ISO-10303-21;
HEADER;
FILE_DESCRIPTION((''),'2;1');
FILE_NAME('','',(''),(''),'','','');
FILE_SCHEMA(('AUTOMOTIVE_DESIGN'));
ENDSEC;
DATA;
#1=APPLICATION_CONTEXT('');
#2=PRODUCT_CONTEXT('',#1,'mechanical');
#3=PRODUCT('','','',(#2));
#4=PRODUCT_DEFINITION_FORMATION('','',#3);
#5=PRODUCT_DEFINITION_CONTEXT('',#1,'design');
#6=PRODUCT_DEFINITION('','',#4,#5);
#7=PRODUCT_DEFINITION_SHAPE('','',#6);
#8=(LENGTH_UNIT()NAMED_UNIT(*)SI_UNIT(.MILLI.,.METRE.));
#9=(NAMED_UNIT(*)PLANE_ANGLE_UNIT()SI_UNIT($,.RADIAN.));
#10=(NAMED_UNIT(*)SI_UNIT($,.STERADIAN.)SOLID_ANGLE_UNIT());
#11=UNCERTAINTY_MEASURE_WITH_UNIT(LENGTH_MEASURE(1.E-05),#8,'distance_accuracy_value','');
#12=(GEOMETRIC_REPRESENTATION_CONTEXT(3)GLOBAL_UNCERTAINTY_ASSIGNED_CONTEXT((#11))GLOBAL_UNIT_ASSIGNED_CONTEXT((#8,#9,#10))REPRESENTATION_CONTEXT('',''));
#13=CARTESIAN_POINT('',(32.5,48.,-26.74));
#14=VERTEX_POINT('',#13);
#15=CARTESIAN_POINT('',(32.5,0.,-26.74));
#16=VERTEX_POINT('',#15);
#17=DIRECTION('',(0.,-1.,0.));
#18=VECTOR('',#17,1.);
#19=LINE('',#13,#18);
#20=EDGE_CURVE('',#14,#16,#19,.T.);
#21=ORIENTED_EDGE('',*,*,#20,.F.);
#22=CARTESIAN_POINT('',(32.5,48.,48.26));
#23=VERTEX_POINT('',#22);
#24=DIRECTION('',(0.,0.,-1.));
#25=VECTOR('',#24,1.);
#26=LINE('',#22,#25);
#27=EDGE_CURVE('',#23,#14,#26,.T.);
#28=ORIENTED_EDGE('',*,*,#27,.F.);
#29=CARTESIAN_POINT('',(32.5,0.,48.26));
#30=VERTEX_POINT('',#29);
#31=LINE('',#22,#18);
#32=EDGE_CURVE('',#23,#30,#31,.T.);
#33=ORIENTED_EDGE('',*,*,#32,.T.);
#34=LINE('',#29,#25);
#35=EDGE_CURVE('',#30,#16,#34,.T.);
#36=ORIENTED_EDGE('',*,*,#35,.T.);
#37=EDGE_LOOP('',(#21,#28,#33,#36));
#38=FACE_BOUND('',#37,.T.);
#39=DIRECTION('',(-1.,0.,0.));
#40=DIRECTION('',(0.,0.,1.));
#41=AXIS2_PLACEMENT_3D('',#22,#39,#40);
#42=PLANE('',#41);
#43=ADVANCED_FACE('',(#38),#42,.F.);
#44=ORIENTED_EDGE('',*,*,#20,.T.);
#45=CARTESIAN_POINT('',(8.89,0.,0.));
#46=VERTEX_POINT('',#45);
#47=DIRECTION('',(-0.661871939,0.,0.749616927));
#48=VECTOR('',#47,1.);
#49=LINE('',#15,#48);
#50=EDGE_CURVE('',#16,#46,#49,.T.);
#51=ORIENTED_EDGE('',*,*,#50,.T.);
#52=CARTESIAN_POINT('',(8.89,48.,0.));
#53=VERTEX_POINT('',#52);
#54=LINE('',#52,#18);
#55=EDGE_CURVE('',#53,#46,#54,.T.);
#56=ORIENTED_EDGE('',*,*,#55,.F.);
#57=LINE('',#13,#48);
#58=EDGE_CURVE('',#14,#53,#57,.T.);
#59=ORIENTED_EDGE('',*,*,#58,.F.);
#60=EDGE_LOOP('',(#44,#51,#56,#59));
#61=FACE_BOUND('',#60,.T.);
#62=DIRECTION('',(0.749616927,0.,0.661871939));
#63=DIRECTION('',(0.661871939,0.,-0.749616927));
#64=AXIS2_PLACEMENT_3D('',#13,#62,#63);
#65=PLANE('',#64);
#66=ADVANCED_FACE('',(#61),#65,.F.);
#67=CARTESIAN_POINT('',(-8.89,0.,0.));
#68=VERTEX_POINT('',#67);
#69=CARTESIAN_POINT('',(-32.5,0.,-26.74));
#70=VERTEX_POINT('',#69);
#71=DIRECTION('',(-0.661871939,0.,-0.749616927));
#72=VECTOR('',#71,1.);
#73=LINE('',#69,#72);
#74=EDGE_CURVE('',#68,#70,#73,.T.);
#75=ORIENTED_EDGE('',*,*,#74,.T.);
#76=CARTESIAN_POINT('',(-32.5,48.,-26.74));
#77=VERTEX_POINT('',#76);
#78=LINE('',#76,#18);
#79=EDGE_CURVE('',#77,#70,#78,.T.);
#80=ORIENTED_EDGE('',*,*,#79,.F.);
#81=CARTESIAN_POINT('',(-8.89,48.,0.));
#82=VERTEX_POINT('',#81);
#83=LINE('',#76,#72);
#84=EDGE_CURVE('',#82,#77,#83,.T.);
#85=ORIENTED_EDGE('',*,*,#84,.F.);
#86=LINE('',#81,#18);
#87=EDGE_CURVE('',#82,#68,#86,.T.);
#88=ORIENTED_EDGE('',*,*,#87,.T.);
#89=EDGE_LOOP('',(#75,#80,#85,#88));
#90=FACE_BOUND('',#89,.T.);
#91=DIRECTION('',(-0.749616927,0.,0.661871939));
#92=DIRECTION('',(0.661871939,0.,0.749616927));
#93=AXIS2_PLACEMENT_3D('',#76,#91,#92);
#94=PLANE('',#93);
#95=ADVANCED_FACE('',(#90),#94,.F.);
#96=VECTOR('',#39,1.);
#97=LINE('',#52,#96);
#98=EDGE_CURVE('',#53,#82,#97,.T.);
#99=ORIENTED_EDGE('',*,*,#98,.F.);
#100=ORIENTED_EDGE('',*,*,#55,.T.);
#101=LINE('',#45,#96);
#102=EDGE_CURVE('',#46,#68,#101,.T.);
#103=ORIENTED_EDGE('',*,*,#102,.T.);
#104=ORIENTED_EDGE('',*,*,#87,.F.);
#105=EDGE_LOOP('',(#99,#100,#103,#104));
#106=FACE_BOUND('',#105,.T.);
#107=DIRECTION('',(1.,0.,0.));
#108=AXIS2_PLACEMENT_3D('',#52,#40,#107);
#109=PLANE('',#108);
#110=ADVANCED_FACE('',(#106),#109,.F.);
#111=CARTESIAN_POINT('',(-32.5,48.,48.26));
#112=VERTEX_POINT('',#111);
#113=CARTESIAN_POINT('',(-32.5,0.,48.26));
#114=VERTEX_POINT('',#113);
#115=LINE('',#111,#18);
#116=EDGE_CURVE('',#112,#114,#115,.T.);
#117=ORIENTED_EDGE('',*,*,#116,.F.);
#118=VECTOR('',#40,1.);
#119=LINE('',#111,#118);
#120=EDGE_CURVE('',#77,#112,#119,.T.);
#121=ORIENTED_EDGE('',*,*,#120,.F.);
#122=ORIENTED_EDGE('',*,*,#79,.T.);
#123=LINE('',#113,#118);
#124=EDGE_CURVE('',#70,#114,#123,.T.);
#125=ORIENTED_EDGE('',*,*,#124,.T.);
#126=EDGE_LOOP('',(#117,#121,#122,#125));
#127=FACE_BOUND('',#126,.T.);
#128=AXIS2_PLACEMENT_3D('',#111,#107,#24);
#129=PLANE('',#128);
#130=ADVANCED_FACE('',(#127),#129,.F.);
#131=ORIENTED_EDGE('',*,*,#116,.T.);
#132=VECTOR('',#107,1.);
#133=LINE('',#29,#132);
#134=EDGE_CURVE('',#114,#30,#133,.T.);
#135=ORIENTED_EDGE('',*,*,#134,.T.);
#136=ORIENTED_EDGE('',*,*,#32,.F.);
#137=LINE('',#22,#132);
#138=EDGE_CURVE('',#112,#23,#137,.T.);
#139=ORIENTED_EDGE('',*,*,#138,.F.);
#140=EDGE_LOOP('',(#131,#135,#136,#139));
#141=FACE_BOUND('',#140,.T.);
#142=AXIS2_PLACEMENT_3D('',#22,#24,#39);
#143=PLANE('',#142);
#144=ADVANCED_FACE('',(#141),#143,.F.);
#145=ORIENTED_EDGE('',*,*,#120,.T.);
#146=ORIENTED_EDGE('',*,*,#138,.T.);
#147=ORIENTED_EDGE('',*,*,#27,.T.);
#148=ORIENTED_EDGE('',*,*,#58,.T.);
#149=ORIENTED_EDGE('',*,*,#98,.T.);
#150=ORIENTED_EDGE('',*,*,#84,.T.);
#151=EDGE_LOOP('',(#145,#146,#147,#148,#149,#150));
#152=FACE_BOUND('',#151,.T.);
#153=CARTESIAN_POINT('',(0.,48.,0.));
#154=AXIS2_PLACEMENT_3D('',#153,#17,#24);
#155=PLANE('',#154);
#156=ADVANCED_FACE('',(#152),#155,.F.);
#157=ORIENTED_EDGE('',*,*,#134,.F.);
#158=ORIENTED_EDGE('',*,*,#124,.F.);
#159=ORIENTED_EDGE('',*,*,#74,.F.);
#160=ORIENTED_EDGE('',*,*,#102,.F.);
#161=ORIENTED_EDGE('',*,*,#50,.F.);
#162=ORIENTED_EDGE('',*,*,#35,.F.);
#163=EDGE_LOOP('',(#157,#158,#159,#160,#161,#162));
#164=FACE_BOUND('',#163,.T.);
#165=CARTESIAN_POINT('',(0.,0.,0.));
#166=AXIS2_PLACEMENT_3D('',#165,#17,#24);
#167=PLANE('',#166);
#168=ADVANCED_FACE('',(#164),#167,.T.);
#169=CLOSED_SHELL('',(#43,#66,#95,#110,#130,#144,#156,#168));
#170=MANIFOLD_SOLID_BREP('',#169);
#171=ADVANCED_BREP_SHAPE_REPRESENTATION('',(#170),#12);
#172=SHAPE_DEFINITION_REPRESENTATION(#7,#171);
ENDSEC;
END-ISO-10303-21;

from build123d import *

# Parameters (mm, degrees)
BOSS_EXTRUDE1_DEPTH = 48


with BuildPart() as part:
    # Sketch1 → Boss-Extrude1 (new body)
    with BuildSketch(Plane(origin=(0, 0, 0), x_dir=(1, 0, 0), z_dir=(0, 1, 0))):
        Polygon((8.89, 0), (-8.89, 0), (-32.5, 26.74), (-32.5, -48.26), (32.5, -48.26), (32.5, 26.74), align=None)
    extrude(amount=BOSS_EXTRUDE1_DEPTH)


solid = part.part
